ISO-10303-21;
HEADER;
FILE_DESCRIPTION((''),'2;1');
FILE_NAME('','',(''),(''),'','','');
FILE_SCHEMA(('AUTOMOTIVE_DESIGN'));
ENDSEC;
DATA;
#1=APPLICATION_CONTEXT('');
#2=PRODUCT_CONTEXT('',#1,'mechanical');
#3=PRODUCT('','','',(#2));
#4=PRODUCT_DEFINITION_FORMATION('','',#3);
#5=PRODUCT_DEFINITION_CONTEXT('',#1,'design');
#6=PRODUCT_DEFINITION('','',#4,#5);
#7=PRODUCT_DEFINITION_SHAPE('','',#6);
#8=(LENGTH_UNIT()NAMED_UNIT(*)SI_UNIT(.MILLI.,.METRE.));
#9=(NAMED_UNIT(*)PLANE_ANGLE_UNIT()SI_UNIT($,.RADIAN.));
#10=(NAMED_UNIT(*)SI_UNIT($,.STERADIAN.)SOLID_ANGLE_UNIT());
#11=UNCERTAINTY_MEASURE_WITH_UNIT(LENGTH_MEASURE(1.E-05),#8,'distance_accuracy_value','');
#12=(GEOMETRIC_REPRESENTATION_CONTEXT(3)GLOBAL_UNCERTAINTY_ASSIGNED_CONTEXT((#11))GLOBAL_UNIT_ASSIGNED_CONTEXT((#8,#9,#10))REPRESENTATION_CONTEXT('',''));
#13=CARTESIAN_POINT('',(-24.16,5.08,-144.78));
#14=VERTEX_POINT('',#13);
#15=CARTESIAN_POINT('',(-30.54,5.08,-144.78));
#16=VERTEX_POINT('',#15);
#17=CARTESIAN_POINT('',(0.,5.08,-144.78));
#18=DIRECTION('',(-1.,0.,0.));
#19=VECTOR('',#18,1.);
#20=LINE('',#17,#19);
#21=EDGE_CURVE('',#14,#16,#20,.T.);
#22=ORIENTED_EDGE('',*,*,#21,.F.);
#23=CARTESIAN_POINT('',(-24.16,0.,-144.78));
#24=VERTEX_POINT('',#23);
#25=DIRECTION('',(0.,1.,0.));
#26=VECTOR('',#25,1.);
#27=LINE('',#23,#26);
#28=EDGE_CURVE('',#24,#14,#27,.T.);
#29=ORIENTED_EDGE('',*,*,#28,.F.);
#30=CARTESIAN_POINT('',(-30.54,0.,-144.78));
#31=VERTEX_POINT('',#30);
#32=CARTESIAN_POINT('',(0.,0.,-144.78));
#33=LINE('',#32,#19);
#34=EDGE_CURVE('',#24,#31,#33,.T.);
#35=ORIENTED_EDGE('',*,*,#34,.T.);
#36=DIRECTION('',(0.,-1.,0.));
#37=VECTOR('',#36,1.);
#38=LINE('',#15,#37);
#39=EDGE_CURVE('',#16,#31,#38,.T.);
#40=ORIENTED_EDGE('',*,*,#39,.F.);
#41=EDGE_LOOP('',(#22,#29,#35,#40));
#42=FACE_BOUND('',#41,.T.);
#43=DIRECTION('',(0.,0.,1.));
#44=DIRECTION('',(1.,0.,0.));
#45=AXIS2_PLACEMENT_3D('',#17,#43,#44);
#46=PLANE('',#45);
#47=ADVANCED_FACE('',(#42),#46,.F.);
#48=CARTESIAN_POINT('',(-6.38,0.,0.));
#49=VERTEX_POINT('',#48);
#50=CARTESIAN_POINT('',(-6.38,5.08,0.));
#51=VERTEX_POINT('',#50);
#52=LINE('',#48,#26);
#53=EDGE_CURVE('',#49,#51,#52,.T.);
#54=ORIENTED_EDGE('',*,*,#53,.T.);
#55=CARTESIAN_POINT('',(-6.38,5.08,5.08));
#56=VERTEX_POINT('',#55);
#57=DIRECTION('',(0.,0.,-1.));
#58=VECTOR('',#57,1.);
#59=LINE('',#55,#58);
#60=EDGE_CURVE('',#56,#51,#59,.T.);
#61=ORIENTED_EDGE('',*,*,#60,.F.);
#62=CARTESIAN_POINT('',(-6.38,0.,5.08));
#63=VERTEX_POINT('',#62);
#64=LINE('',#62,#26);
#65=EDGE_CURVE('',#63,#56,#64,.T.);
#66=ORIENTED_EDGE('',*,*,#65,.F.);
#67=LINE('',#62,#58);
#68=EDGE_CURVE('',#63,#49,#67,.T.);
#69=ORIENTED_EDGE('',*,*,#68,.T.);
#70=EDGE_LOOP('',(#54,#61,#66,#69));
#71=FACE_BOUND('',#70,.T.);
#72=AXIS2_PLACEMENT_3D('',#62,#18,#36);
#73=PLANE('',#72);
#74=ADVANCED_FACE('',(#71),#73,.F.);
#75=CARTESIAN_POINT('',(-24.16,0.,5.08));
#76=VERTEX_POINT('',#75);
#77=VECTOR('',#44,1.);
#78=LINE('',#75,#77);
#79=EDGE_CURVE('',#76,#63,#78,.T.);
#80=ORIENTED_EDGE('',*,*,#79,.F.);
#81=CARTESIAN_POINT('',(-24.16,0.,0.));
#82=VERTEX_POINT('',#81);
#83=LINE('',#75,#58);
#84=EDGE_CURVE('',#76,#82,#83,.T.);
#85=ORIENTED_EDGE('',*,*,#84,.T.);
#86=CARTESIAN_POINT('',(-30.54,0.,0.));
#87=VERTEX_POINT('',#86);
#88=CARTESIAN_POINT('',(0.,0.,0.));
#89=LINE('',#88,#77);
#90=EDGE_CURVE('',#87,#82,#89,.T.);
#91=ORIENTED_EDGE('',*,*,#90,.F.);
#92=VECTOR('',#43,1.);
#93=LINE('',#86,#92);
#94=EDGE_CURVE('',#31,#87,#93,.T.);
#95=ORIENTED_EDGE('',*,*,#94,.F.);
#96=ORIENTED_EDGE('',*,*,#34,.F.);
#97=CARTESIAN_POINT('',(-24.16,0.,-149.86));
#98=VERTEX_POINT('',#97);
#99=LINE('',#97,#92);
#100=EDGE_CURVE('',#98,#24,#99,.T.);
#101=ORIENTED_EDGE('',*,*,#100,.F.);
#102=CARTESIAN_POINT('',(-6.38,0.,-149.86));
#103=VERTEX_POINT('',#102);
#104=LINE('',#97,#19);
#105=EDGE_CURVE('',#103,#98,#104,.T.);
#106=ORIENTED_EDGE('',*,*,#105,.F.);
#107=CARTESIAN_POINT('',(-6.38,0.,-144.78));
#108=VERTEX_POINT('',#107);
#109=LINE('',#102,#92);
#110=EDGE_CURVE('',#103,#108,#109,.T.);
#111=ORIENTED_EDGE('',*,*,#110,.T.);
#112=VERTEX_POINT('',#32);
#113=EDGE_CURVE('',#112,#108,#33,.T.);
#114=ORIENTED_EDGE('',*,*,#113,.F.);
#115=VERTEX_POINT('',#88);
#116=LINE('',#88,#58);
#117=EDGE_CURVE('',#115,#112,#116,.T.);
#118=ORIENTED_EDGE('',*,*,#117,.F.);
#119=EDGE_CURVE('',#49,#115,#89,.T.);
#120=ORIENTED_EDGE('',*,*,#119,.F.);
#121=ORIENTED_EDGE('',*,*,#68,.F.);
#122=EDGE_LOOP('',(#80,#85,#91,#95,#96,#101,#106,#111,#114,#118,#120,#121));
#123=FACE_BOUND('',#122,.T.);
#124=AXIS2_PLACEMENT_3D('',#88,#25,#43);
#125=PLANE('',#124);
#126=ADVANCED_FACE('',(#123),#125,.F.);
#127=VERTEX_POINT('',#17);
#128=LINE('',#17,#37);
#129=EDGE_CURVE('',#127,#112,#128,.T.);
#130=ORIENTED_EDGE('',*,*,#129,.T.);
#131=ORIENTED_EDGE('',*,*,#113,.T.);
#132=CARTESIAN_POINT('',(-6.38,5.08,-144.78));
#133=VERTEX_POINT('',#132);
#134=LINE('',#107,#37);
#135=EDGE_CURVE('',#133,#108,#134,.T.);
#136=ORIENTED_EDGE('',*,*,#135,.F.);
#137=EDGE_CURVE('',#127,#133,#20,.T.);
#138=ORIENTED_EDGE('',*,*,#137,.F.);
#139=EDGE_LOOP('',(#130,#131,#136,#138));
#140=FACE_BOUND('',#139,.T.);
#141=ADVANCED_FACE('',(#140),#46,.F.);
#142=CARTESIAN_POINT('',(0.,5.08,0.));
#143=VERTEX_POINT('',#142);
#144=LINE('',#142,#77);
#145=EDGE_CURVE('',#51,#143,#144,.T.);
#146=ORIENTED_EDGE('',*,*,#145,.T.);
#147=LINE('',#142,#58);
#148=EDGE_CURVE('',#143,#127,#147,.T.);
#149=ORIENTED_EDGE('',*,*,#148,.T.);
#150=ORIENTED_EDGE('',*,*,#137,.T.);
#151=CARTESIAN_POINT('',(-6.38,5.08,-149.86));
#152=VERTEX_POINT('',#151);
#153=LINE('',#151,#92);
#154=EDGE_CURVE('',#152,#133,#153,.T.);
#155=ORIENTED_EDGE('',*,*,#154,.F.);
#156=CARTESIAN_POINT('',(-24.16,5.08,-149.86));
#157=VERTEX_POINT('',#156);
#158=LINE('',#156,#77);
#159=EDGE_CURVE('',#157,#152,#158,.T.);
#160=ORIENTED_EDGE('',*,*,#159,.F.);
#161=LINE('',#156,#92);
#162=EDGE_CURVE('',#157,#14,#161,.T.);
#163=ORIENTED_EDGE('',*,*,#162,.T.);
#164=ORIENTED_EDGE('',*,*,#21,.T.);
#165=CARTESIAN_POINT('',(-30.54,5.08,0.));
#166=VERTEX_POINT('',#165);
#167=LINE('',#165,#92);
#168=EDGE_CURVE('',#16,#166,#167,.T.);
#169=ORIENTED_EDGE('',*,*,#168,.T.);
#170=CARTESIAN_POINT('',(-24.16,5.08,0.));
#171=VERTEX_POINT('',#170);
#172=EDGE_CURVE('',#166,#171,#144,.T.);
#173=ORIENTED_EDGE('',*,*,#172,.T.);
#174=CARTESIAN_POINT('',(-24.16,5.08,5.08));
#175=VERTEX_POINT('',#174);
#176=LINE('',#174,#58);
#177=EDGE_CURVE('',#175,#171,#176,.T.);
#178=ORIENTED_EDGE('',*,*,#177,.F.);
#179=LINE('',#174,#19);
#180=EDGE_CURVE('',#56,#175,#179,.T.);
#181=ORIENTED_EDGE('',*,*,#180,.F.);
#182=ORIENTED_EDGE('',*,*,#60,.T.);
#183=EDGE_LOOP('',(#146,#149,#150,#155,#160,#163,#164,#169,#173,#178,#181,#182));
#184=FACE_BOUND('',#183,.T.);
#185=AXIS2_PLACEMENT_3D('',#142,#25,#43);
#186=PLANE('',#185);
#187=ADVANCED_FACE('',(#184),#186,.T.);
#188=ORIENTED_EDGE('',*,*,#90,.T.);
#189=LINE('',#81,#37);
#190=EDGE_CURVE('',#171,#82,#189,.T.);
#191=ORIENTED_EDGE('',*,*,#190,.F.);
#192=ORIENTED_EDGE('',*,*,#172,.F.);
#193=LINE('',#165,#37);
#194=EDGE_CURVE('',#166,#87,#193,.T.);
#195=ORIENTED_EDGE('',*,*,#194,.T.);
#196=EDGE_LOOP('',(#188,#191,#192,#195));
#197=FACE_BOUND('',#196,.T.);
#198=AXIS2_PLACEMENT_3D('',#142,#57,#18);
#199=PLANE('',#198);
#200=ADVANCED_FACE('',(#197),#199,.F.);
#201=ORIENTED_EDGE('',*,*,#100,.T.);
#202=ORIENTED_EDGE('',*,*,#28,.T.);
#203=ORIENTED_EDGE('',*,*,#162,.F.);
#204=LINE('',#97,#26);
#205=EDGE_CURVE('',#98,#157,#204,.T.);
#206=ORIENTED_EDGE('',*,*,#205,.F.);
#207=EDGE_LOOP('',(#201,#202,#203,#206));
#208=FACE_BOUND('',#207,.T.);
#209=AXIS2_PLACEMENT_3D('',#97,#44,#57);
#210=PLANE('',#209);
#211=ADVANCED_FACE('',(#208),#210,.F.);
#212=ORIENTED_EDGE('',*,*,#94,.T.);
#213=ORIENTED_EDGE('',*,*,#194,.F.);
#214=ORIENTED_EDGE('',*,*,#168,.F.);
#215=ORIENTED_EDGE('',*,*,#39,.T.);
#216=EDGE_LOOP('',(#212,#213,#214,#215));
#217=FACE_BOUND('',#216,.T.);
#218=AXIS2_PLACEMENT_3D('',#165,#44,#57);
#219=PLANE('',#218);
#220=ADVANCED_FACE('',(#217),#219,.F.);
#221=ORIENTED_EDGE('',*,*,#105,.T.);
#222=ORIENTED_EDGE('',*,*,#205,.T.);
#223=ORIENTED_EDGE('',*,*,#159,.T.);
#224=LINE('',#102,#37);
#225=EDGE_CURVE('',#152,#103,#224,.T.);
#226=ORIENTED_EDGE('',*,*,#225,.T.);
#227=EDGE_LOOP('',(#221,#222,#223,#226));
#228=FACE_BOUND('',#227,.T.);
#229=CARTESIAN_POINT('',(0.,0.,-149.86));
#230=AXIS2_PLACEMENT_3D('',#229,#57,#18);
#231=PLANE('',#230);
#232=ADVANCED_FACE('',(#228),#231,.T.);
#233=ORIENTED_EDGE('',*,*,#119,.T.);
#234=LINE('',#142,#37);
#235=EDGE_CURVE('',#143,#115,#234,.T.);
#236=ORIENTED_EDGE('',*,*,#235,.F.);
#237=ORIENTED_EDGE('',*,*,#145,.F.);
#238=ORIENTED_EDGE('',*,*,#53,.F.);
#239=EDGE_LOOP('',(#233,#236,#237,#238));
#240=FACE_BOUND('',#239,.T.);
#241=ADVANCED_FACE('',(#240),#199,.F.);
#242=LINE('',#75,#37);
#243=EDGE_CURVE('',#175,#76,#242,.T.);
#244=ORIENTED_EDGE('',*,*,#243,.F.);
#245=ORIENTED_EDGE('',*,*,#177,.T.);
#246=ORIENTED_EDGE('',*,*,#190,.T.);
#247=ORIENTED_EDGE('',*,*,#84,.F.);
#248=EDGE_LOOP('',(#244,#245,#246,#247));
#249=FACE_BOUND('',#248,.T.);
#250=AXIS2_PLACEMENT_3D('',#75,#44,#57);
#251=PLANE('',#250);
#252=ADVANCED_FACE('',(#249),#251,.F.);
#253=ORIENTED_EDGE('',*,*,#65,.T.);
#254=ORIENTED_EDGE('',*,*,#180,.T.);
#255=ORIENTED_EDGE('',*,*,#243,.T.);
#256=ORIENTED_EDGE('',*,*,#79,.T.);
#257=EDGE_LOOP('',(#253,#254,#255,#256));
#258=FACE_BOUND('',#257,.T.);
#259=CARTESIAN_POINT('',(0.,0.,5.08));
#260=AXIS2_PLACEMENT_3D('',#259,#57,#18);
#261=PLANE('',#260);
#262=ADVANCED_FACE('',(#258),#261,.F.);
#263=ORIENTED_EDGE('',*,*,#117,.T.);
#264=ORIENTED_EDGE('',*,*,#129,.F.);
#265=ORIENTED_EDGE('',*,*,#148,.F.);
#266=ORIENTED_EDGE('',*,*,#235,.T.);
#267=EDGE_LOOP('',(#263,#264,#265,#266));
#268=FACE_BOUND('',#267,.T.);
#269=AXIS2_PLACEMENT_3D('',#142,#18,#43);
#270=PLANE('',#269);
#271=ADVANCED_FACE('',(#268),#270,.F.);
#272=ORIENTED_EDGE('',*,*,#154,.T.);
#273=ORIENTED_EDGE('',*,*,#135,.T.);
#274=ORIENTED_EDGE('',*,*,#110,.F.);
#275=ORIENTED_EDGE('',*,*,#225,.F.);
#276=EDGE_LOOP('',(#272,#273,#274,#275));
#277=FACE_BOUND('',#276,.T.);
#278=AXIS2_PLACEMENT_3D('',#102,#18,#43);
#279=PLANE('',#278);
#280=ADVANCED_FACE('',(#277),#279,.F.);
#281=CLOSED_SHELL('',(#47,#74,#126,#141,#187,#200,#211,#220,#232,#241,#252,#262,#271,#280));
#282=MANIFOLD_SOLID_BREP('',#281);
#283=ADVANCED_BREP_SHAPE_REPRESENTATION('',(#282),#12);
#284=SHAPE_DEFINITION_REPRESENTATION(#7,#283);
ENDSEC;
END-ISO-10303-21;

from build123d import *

# Parameters (mm, degrees)
SKETCH1_W           = 30.54
SKETCH1_H           = 144.78
BOSS_EXTRUDE1_DEPTH = 5.08
SKETCH2_W           = 17.78
SKETCH2_H           = 5.08
BOSS_EXTRUDE2_DEPTH = 5.08
SKETCH3_W           = 17.78
SKETCH3_H           = 5.08
BOSS_EXTRUDE3_DEPTH = 5.08


with BuildPart() as part:
    # Sketch1 → Boss-Extrude1 (new body)
    with BuildSketch(Plane(origin=(0, 0, 0), x_dir=(1, 0, 0), z_dir=(0, 1, 0))):
        with Locations((-15.27, 72.39)):
            Rectangle(SKETCH1_W, SKETCH1_H)
    extrude(amount=BOSS_EXTRUDE1_DEPTH)

    # Sketch2 → Boss-Extrude2 (add)
    with BuildSketch(Plane.XY):
        with Locations((-15.27, 2.54)):
            Rectangle(SKETCH2_W, SKETCH2_H)
    extrude(amount=BOSS_EXTRUDE2_DEPTH)

    # Sketch3 → Boss-Extrude3 (add)
    with BuildSketch(Plane(origin=(0, 0, -144.78), x_dir=(-1, 0, 0), z_dir=(0, 0, -1))):
        with Locations((15.27, 2.54)):
            Rectangle(SKETCH3_W, SKETCH3_H)
    extrude(amount=BOSS_EXTRUDE3_DEPTH)


solid = part.part
